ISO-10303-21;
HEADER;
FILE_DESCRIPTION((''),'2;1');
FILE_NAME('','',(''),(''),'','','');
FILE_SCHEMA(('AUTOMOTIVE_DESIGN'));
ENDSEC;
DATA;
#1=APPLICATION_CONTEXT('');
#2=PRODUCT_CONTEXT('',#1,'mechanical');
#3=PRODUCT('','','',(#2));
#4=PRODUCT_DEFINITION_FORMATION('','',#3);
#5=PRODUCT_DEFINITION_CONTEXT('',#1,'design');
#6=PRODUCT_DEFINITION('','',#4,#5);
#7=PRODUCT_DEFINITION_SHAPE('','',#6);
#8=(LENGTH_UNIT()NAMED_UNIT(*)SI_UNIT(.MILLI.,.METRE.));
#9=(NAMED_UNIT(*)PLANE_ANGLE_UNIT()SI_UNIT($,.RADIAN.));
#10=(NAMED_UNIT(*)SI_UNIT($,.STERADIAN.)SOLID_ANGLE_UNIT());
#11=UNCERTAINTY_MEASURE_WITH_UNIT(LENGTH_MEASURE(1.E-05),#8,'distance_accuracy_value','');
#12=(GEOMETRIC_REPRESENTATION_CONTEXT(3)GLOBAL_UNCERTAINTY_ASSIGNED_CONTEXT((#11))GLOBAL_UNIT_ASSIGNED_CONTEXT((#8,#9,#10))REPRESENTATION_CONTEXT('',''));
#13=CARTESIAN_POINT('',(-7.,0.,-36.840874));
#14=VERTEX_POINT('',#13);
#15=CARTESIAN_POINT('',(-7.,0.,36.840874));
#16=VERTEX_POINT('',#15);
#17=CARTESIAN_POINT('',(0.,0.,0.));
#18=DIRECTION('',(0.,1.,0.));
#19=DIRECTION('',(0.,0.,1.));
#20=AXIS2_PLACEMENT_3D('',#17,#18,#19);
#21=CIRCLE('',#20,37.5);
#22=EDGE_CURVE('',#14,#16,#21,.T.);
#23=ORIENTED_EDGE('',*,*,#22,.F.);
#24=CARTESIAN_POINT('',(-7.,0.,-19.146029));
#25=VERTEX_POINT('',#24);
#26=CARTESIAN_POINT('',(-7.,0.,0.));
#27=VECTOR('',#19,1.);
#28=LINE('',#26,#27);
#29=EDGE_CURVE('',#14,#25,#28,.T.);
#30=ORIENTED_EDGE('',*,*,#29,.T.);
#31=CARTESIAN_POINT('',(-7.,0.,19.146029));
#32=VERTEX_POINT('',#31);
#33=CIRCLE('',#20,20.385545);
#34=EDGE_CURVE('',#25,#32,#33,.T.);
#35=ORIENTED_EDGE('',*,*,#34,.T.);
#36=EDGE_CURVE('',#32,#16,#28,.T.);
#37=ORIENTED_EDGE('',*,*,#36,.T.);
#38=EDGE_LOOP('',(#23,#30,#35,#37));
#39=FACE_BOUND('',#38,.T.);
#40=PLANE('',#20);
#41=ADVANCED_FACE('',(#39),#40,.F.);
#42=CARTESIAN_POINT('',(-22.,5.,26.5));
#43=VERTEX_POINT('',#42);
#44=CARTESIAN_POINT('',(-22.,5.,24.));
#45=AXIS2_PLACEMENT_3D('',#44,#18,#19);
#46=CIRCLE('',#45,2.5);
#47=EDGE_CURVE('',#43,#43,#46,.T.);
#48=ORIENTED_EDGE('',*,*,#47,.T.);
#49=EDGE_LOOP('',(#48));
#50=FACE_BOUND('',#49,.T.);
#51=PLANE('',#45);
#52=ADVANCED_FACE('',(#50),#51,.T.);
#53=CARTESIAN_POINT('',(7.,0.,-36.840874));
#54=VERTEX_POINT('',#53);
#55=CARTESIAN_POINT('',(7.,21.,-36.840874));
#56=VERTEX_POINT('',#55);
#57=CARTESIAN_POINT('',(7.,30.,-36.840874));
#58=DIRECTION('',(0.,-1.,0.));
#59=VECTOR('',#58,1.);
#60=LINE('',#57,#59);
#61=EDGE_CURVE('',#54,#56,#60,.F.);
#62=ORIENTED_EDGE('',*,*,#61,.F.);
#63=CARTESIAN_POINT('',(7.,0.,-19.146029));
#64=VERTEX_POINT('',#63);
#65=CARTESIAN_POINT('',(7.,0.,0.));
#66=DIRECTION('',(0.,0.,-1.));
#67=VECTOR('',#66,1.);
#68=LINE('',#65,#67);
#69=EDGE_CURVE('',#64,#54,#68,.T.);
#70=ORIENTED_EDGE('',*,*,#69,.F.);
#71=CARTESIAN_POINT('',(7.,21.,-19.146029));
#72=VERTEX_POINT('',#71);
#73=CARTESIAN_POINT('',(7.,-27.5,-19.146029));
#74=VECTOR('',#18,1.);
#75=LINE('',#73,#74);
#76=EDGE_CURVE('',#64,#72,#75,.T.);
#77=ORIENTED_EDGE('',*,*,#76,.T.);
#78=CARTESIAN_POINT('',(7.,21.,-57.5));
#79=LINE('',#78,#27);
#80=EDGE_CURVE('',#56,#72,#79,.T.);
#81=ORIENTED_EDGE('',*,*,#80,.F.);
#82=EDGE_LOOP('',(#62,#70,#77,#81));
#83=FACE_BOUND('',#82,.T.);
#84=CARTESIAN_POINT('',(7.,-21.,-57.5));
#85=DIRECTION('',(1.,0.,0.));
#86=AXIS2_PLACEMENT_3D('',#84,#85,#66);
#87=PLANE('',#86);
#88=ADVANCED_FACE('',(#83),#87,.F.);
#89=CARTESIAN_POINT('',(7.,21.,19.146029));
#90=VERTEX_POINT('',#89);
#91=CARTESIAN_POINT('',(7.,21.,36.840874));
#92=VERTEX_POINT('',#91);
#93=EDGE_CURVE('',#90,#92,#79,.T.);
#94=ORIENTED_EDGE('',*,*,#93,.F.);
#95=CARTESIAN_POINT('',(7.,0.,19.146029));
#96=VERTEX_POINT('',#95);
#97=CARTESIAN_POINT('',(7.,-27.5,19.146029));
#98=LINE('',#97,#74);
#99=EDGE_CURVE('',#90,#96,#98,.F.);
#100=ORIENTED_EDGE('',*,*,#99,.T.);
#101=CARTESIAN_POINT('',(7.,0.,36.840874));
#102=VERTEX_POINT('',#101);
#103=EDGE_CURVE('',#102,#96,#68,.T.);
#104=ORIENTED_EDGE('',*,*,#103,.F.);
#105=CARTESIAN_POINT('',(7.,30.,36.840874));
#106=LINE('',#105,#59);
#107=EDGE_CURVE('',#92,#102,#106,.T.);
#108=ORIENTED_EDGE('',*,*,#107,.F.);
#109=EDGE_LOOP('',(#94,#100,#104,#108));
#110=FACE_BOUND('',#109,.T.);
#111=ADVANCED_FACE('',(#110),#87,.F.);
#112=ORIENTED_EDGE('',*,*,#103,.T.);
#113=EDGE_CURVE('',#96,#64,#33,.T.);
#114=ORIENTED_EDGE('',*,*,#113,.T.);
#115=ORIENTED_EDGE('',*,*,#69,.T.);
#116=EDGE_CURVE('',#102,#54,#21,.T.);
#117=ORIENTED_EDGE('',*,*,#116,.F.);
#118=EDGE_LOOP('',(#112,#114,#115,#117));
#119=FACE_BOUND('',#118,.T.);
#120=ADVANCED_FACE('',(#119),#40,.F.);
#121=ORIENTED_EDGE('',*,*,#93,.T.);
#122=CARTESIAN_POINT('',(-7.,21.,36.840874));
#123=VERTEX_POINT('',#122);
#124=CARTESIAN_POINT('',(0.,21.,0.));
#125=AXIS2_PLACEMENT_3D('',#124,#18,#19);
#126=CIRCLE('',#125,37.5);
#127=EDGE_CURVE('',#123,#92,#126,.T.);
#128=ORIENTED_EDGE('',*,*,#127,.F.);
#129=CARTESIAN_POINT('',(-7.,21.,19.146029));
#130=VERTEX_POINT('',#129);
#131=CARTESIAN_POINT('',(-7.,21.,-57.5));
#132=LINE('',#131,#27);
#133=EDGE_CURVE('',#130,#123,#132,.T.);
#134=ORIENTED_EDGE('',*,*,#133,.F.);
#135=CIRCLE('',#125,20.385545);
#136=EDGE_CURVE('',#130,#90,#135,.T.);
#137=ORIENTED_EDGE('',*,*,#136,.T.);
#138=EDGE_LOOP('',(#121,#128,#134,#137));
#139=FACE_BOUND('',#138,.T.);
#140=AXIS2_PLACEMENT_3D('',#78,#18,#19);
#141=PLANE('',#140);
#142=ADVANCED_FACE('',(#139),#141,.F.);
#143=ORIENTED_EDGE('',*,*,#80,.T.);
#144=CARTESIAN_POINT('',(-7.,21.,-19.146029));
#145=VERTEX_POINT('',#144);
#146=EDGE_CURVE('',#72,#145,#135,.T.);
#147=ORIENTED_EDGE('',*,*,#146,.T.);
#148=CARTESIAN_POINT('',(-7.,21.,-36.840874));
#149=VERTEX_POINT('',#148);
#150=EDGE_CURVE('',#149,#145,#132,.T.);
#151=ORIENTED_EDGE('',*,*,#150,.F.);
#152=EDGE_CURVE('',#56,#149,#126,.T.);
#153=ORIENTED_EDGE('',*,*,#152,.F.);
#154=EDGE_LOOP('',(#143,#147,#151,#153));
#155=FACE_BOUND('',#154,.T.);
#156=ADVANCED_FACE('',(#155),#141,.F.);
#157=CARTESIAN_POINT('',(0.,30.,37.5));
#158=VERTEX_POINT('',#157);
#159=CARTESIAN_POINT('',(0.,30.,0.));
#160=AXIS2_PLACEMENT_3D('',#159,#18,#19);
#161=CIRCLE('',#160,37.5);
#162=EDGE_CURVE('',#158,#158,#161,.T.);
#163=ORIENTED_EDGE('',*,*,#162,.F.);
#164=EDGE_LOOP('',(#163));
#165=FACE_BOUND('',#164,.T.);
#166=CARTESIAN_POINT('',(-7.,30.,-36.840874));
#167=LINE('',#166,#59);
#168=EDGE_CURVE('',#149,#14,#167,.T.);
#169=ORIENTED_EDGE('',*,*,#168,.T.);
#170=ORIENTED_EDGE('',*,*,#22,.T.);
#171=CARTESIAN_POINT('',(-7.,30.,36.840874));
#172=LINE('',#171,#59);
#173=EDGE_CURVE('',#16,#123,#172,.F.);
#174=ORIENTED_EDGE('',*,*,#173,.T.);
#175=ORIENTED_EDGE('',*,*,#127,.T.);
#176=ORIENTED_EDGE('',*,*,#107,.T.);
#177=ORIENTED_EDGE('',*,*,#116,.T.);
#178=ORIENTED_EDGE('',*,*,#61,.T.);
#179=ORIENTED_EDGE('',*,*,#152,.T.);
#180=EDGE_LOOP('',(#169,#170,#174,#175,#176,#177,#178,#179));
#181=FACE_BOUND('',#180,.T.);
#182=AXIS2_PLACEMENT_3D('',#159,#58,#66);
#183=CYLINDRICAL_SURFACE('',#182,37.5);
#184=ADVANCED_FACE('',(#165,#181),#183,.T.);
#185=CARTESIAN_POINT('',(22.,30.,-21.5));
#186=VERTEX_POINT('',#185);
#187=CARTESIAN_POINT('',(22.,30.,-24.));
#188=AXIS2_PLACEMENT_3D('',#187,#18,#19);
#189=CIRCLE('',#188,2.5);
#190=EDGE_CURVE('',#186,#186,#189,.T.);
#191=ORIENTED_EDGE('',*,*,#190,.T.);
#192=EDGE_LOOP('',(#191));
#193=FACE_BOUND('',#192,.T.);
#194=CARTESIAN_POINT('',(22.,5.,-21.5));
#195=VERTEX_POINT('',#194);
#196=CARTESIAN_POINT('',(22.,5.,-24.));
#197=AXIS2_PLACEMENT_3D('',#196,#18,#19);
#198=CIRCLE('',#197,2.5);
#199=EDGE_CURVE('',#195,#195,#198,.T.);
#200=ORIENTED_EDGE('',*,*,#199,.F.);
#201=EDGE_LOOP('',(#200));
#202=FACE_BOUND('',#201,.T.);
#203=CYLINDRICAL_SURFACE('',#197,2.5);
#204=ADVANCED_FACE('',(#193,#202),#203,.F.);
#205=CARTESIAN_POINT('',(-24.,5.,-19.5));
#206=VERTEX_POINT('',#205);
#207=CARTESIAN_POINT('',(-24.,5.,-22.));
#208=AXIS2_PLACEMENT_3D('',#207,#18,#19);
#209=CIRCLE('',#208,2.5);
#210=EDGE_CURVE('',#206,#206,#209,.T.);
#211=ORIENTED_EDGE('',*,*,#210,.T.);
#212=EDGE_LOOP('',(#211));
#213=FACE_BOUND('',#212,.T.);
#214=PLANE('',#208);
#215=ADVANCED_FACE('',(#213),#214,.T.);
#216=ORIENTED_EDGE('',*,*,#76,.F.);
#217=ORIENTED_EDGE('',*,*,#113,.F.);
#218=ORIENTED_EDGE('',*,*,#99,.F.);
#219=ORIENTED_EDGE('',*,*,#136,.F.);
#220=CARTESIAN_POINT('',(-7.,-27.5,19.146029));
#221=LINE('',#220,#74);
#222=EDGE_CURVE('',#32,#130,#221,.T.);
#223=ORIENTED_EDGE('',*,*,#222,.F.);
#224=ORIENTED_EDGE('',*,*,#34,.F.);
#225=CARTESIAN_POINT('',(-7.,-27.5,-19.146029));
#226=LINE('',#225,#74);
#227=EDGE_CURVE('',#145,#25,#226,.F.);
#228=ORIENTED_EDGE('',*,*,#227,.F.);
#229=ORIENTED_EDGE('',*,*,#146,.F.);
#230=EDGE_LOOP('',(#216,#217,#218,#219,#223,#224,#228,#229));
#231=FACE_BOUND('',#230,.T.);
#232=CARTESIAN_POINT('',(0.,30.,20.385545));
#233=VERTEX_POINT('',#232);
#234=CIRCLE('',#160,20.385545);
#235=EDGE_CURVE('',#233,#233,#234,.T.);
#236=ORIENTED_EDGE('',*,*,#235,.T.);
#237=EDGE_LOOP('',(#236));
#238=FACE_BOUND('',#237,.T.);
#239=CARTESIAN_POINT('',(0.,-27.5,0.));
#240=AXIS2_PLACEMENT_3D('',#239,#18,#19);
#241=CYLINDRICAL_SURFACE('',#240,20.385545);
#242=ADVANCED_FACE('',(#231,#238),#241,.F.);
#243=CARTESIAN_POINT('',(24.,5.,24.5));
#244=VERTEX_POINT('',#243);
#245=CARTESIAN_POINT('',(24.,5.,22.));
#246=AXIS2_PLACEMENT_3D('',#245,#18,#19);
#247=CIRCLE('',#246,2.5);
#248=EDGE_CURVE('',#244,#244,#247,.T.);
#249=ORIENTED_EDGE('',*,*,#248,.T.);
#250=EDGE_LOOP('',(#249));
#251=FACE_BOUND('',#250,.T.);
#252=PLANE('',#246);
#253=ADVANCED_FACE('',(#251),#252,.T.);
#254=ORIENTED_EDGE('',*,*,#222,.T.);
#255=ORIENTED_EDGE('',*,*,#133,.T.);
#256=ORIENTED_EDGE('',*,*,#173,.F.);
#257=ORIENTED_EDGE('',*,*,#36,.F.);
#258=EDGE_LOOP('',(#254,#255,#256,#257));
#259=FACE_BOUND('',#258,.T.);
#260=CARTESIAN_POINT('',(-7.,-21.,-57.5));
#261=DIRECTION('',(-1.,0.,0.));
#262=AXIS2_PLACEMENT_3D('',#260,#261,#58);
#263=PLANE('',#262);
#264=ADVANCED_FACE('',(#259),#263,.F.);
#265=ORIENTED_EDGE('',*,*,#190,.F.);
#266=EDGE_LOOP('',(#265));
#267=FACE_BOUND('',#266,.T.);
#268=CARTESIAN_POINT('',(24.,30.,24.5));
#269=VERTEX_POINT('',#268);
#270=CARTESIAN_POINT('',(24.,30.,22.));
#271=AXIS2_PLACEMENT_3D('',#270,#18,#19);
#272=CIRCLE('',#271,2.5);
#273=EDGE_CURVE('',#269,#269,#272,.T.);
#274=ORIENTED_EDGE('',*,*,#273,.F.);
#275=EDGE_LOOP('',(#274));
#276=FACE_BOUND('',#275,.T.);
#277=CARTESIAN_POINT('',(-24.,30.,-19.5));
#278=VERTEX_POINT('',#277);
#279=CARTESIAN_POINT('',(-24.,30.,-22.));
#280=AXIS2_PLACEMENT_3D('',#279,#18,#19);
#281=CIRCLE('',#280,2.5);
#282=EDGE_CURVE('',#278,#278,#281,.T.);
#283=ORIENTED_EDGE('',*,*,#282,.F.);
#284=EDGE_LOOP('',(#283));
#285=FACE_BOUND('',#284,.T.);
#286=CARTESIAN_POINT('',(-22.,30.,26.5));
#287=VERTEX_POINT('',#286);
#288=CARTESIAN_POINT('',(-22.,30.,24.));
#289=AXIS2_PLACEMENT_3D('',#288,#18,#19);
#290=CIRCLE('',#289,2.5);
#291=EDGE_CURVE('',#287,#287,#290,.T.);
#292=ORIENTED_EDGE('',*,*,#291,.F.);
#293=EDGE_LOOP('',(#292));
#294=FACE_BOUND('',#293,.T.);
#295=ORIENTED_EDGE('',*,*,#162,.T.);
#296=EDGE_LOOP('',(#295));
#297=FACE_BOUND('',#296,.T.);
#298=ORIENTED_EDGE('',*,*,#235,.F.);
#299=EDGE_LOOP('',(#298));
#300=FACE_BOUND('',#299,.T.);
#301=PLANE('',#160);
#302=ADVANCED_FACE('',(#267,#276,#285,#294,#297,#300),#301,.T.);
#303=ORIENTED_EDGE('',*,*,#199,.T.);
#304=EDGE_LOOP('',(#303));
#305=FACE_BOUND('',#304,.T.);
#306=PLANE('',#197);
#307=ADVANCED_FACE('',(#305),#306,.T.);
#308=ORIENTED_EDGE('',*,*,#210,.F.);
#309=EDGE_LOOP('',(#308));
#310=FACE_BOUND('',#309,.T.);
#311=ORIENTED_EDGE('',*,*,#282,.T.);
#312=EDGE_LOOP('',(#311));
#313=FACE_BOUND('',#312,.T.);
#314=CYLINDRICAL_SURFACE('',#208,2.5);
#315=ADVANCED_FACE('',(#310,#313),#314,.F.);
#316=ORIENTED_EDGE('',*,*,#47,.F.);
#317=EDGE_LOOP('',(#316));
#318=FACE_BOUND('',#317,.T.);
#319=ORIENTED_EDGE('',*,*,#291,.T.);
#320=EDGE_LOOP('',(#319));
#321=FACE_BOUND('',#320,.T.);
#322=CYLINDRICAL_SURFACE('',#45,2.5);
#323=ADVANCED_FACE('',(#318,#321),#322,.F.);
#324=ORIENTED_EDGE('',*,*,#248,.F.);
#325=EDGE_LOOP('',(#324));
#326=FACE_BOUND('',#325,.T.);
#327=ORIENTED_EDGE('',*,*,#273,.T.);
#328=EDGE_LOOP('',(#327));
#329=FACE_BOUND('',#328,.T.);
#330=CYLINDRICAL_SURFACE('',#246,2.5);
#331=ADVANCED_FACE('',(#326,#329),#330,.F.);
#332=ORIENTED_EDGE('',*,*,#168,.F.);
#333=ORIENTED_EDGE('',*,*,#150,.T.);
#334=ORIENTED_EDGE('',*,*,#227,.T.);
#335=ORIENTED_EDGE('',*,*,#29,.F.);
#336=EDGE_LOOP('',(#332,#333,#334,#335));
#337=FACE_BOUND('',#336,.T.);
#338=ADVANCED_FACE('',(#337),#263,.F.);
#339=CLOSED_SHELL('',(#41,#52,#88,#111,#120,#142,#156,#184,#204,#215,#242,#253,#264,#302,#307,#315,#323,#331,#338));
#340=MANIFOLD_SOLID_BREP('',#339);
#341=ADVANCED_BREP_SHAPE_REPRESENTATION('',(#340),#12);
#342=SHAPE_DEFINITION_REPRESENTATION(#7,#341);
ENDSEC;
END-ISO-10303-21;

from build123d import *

# Parameters (mm, degrees)
SKETCH2_R           = 37.5
BOSS_EXTRUDE1_DEPTH = 30
SKETCH4_R           = 2.5
CUT_EXTRUDE2_DEPTH  = 25
SKETCH5_W           = 14
SKETCH5_H           = 42
CUT_EXTRUDE3_DEPTH  = 57.5
SKETCH6_R           = 20.385544883
CUT_EXTRUDE4_DEPTH  = 57.5


with BuildPart() as part:
    # Sketch2 → Boss-Extrude1 (new body)
    with BuildSketch(Plane(origin=(0, 0, 0), x_dir=(1, 0, 0), z_dir=(0, 1, 0))):
        with Locations(Location((0, 0, 0), (0, 0, 270))):
            Circle(SKETCH2_R)
    extrude(amount=BOSS_EXTRUDE1_DEPTH)

    # Sketch4 → Cut-Extrude2 (cut)
    with BuildSketch(Plane(origin=(0, 30, 0), x_dir=(1, 0, 0), z_dir=(0, 1, 0))):
        with Locations(Location((22, 24, 0), (0, 0, 270))):
            Circle(SKETCH4_R)
        with Locations(Location((24, -22, 0), (0, 0, 270))):
            Circle(SKETCH4_R)
        with Locations(Location((-22, -24, 0), (0, 0, 270))):
            Circle(SKETCH4_R)
        with Locations(Location((-24, 22, 0), (0, 0, 270))):
            Circle(SKETCH4_R)
    extrude(amount=-CUT_EXTRUDE2_DEPTH, mode=Mode.SUBTRACT)

    # Sketch5 → Cut-Extrude3 (cut, symmetric)
    with BuildSketch(Plane.XY):
        Rectangle(SKETCH5_W, SKETCH5_H)
    extrude(amount=CUT_EXTRUDE3_DEPTH, both=True, mode=Mode.SUBTRACT)

    # Sketch6 → Cut-Extrude4 (cut, symmetric)
    with BuildSketch(Plane(origin=(0, 30, 0), x_dir=(1, 0, 0), z_dir=(0, 1, 0))):
        with Locations(Location((0, 0, 0), (0, 0, 270))):
            Circle(SKETCH6_R)
    extrude(amount=CUT_EXTRUDE4_DEPTH, both=True, mode=Mode.SUBTRACT)


solid = part.part
